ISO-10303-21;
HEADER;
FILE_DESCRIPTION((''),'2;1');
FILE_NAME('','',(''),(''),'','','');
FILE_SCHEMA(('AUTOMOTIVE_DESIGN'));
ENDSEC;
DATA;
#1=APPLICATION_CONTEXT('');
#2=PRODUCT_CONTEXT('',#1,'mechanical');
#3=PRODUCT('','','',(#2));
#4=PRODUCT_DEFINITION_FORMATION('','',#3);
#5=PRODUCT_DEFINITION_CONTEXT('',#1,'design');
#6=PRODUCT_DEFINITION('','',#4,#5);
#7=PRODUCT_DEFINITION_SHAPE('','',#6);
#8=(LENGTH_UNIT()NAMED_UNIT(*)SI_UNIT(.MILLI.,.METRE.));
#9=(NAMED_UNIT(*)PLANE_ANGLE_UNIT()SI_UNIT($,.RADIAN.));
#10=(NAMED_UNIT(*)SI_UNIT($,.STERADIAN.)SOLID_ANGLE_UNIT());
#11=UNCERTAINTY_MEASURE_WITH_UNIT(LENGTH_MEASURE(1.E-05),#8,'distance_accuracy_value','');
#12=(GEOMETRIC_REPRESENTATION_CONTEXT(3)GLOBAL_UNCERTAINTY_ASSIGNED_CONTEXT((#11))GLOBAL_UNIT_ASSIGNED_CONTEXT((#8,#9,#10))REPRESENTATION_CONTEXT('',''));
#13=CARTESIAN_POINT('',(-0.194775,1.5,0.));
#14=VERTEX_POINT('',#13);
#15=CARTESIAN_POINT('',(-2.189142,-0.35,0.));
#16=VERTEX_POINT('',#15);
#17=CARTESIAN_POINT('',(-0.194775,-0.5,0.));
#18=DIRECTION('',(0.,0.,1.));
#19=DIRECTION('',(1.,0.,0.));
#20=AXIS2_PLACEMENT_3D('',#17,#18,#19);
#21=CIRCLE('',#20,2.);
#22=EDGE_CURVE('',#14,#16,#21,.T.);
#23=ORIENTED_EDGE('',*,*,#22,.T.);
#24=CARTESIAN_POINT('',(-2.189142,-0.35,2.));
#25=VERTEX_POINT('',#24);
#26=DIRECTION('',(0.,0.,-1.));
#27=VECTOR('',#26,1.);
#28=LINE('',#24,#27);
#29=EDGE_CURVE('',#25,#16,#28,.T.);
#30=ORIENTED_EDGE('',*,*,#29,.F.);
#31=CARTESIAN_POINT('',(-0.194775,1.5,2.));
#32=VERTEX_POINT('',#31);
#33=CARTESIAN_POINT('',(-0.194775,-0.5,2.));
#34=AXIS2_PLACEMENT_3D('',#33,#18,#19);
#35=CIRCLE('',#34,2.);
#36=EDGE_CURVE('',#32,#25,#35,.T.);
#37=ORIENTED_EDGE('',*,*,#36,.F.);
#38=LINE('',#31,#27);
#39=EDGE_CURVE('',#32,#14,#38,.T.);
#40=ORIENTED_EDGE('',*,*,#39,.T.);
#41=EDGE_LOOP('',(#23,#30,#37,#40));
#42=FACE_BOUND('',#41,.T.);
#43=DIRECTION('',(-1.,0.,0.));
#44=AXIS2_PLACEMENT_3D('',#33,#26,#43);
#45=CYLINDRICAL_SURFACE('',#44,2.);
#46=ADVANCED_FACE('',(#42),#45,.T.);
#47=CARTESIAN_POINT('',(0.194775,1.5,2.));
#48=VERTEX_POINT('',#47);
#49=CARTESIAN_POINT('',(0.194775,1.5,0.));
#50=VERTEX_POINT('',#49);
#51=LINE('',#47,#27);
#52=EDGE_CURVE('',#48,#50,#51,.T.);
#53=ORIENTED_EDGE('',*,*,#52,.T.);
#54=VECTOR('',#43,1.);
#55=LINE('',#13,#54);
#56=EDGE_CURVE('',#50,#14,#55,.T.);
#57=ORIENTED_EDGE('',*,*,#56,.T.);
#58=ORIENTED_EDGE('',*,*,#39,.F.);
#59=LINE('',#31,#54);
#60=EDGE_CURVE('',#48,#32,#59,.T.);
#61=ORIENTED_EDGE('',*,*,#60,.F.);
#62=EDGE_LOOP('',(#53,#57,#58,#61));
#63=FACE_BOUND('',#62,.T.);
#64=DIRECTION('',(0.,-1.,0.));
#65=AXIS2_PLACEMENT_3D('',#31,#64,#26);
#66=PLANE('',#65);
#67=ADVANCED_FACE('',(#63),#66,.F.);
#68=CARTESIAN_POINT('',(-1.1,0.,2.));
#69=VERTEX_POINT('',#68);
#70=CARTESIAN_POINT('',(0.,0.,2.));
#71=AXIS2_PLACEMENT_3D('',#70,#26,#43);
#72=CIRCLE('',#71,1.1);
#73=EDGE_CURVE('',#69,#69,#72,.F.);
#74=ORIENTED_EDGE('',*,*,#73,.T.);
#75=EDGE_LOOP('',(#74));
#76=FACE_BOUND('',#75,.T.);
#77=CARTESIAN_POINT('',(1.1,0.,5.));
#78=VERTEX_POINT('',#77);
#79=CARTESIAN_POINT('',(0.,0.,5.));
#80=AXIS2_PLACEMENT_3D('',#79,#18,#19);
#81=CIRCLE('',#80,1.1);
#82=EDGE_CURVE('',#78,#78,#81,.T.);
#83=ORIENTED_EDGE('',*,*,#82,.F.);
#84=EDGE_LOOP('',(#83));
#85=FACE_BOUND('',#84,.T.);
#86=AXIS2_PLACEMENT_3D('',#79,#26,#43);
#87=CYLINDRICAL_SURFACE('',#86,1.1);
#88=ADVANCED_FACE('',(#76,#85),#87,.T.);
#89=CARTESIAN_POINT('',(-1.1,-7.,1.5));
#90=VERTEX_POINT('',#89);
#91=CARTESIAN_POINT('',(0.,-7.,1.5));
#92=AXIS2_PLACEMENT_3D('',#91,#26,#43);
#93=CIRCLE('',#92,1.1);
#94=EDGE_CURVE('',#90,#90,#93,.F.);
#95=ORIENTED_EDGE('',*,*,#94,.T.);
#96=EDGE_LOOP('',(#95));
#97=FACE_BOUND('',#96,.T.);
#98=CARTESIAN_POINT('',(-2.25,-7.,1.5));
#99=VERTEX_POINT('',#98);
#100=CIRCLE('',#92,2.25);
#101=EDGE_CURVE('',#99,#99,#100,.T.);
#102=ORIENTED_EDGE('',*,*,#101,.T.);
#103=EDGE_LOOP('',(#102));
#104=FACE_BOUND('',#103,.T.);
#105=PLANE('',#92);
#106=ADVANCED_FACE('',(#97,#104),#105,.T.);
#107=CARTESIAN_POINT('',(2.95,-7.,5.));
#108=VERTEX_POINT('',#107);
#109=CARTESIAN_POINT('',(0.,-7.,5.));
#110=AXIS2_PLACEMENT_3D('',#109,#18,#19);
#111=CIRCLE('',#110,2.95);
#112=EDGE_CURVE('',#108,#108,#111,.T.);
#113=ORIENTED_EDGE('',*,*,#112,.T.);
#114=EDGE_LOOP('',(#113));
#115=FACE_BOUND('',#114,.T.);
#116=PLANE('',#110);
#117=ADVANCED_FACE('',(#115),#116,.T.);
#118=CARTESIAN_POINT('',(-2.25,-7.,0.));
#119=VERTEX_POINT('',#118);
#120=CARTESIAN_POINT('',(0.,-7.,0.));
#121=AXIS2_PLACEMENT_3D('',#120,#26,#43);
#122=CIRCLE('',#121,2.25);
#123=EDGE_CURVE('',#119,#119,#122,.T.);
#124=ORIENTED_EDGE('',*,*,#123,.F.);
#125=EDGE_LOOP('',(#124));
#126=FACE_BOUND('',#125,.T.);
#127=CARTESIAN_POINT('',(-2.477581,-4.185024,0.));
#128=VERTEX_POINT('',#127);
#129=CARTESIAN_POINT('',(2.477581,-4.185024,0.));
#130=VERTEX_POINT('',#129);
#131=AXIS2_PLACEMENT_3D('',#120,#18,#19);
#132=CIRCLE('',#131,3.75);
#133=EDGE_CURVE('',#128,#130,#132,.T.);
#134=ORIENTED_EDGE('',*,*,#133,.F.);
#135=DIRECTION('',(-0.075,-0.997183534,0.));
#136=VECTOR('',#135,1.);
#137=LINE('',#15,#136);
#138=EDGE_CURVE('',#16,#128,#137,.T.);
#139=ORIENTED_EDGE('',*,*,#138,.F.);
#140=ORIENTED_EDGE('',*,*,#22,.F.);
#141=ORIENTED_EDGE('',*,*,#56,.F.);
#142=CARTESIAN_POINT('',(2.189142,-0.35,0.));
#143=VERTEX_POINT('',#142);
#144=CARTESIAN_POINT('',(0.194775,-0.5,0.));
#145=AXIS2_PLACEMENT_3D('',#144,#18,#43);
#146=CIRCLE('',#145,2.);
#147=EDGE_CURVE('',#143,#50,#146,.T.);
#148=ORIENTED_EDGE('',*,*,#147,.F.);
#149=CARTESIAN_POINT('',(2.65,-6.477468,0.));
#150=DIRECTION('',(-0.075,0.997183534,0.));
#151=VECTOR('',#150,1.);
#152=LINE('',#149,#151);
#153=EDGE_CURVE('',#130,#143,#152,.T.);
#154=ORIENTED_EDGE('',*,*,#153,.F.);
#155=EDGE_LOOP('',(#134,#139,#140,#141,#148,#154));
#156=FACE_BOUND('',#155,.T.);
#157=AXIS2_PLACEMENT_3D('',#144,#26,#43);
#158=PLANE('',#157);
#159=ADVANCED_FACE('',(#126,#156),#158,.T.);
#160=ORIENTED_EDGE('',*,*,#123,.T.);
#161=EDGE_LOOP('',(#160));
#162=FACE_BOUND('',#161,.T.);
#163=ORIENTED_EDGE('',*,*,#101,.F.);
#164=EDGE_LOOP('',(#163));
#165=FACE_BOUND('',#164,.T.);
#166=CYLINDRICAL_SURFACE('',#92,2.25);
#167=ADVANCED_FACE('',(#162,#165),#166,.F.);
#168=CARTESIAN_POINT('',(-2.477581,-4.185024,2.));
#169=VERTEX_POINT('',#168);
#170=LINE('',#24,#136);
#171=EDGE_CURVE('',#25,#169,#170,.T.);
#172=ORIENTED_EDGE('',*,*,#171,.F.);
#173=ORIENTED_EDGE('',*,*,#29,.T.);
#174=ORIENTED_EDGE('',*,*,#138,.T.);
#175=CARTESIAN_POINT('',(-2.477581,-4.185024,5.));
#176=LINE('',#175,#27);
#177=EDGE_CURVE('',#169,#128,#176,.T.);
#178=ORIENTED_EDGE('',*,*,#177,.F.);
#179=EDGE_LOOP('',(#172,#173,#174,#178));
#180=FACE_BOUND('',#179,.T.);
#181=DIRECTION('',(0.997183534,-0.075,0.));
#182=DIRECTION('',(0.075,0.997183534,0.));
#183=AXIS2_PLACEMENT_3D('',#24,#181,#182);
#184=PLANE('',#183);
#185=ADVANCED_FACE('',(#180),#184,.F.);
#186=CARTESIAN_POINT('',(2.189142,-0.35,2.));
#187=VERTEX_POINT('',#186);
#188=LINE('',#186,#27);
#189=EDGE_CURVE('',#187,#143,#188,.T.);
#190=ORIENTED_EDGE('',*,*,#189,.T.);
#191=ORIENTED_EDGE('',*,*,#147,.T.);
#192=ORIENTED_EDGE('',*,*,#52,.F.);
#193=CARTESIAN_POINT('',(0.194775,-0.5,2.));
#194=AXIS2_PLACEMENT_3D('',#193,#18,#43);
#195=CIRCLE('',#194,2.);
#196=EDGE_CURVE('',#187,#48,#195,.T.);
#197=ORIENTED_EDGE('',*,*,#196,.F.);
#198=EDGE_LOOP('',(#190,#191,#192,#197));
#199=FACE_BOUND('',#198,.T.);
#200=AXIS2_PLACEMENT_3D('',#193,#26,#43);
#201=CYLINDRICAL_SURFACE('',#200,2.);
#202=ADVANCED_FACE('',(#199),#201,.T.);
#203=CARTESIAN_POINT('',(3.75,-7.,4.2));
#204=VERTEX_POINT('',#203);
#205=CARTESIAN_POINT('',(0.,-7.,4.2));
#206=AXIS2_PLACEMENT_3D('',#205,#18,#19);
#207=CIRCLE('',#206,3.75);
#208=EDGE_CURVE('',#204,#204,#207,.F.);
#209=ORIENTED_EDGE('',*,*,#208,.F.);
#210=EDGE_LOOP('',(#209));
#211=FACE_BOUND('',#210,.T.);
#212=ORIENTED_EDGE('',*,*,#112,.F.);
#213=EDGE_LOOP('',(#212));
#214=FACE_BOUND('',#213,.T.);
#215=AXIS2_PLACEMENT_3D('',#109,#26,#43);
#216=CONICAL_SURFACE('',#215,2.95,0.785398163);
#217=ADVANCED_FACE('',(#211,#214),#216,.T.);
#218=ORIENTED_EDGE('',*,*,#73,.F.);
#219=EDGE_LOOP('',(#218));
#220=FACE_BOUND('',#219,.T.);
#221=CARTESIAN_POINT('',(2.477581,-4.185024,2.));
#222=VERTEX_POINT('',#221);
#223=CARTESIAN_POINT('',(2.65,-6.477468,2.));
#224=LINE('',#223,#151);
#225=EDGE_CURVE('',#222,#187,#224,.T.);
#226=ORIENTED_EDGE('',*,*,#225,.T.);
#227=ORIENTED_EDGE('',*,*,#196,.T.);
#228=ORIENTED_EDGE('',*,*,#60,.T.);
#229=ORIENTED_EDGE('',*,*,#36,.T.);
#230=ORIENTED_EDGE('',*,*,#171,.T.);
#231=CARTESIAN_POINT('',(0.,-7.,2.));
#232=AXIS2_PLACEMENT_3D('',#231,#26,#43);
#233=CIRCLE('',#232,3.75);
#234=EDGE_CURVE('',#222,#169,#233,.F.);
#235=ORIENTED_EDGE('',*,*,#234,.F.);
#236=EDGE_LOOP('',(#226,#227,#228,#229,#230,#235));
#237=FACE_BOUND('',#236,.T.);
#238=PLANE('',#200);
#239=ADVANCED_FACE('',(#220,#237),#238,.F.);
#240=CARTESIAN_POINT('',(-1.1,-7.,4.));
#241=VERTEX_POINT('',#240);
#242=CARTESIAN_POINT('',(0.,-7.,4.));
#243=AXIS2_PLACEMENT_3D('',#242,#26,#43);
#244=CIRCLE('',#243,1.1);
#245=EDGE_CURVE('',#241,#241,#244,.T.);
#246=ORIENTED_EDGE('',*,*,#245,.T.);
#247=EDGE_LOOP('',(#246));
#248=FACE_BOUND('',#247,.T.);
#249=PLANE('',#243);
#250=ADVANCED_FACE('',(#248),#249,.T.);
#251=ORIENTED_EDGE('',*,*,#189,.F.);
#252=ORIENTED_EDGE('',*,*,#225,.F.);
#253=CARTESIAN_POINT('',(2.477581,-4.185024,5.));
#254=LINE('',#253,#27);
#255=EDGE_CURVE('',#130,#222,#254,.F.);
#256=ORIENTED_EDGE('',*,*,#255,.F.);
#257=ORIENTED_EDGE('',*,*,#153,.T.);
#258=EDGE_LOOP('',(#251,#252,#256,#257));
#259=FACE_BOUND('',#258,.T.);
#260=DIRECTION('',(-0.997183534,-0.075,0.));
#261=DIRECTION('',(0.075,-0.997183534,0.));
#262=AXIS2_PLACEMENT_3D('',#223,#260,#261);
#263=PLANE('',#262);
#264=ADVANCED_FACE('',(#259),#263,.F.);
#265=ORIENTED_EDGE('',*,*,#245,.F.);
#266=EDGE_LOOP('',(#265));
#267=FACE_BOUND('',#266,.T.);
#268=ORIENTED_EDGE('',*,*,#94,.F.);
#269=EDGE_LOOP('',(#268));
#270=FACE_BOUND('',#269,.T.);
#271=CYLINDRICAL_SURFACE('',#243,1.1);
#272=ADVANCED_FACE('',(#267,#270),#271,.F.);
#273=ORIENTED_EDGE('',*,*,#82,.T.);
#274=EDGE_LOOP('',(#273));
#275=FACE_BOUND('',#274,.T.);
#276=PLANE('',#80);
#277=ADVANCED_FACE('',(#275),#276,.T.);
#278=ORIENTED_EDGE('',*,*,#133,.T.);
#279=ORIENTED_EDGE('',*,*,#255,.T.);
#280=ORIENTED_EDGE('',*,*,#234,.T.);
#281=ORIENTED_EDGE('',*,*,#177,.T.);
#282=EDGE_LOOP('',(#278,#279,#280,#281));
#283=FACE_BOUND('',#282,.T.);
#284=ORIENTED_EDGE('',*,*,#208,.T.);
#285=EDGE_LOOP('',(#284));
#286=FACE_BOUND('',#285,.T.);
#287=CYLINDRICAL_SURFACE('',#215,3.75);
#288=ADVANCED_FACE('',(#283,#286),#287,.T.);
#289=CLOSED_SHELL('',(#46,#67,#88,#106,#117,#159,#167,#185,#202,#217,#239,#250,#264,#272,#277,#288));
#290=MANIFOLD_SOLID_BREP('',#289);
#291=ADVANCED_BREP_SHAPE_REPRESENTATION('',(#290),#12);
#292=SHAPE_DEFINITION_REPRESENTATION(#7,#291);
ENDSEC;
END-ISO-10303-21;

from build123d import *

# Parameters (mm, degrees)
EXTRUDE_1_DEPTH     = 2
SKETCH_2_R          = 1.1
EXTRUDE_2_DEPTH     = 3
SKETCH_3_R          = 3.75
EXTRUDE_3_DEPTH     = 5
CHAMFER_1_SIZE      = 0.8
SKETCH_4_R          = 1.1
CUT_EXTRUDE_1_DEPTH = 4
SKETCH_5_R          = 2.25
CUT_EXTRUDE_2_DEPTH = 1.5


with BuildPart() as part:
    # 草图1 → 凸台-拉伸1 (new body)
    with BuildSketch(Plane.XY):
        with BuildLine():
            Line((-2.189141888, -0.35), (-2.65, -6.47746827))
            Line((-2.65, -6.47746827), (2.65, -6.47746827))
            Line((2.65, -6.47746827), (2.189141888, -0.35))
            ThreePointArc((2.189141888, -0.35), (1.554921872, 0.96628783), (0.194774821, 1.5))
            Line((0.194774821, 1.5), (-0.194774821, 1.5))
            ThreePointArc((-0.194774821, 1.5), (-1.554921872, 0.96628783), (-2.189141888, -0.35))
        make_face()
    extrude(amount=EXTRUDE_1_DEPTH)

    # 草图2 → 凸台-拉伸2 (add)
    with BuildSketch(Plane.XY.offset(2)):
        with Locations(Location((0, 0, 0), (0, 0, 180))):
            Circle(SKETCH_2_R)
    extrude(amount=EXTRUDE_2_DEPTH)

    # 草图3 → 凸台-拉伸3 (add)
    with BuildSketch(Plane.XY):
        with Locations(Location((0, -7, 0), (0, 0, 131.352385807))):
            Circle(SKETCH_3_R)
    extrude(amount=EXTRUDE_3_DEPTH)

    # 倒角1
    chamfer_1_edges = [part.edges().sort_by_distance(p)[0] for p in [
        (2.477581037, -9.814976413, 5),
    ]]
    chamfer(chamfer_1_edges, length=CHAMFER_1_SIZE)

    # 草图4 → 切除-拉伸1 (cut)
    with BuildSketch(Plane(origin=(0, 0, 0), x_dir=(-1, 0, 0), z_dir=(0, 0, -1))):
        with Locations((0, -7)):
            Circle(SKETCH_4_R)
    extrude(amount=-CUT_EXTRUDE_1_DEPTH, mode=Mode.SUBTRACT)

    # 草图5 → 切除-拉伸2 (cut)
    with BuildSketch(Plane(origin=(0, 0, 0), x_dir=(-1, 0, 0), z_dir=(0, 0, -1))):
        with Locations((0, -7)):
            Circle(SKETCH_5_R)
    extrude(amount=-CUT_EXTRUDE_2_DEPTH, mode=Mode.SUBTRACT)


solid = part.part
